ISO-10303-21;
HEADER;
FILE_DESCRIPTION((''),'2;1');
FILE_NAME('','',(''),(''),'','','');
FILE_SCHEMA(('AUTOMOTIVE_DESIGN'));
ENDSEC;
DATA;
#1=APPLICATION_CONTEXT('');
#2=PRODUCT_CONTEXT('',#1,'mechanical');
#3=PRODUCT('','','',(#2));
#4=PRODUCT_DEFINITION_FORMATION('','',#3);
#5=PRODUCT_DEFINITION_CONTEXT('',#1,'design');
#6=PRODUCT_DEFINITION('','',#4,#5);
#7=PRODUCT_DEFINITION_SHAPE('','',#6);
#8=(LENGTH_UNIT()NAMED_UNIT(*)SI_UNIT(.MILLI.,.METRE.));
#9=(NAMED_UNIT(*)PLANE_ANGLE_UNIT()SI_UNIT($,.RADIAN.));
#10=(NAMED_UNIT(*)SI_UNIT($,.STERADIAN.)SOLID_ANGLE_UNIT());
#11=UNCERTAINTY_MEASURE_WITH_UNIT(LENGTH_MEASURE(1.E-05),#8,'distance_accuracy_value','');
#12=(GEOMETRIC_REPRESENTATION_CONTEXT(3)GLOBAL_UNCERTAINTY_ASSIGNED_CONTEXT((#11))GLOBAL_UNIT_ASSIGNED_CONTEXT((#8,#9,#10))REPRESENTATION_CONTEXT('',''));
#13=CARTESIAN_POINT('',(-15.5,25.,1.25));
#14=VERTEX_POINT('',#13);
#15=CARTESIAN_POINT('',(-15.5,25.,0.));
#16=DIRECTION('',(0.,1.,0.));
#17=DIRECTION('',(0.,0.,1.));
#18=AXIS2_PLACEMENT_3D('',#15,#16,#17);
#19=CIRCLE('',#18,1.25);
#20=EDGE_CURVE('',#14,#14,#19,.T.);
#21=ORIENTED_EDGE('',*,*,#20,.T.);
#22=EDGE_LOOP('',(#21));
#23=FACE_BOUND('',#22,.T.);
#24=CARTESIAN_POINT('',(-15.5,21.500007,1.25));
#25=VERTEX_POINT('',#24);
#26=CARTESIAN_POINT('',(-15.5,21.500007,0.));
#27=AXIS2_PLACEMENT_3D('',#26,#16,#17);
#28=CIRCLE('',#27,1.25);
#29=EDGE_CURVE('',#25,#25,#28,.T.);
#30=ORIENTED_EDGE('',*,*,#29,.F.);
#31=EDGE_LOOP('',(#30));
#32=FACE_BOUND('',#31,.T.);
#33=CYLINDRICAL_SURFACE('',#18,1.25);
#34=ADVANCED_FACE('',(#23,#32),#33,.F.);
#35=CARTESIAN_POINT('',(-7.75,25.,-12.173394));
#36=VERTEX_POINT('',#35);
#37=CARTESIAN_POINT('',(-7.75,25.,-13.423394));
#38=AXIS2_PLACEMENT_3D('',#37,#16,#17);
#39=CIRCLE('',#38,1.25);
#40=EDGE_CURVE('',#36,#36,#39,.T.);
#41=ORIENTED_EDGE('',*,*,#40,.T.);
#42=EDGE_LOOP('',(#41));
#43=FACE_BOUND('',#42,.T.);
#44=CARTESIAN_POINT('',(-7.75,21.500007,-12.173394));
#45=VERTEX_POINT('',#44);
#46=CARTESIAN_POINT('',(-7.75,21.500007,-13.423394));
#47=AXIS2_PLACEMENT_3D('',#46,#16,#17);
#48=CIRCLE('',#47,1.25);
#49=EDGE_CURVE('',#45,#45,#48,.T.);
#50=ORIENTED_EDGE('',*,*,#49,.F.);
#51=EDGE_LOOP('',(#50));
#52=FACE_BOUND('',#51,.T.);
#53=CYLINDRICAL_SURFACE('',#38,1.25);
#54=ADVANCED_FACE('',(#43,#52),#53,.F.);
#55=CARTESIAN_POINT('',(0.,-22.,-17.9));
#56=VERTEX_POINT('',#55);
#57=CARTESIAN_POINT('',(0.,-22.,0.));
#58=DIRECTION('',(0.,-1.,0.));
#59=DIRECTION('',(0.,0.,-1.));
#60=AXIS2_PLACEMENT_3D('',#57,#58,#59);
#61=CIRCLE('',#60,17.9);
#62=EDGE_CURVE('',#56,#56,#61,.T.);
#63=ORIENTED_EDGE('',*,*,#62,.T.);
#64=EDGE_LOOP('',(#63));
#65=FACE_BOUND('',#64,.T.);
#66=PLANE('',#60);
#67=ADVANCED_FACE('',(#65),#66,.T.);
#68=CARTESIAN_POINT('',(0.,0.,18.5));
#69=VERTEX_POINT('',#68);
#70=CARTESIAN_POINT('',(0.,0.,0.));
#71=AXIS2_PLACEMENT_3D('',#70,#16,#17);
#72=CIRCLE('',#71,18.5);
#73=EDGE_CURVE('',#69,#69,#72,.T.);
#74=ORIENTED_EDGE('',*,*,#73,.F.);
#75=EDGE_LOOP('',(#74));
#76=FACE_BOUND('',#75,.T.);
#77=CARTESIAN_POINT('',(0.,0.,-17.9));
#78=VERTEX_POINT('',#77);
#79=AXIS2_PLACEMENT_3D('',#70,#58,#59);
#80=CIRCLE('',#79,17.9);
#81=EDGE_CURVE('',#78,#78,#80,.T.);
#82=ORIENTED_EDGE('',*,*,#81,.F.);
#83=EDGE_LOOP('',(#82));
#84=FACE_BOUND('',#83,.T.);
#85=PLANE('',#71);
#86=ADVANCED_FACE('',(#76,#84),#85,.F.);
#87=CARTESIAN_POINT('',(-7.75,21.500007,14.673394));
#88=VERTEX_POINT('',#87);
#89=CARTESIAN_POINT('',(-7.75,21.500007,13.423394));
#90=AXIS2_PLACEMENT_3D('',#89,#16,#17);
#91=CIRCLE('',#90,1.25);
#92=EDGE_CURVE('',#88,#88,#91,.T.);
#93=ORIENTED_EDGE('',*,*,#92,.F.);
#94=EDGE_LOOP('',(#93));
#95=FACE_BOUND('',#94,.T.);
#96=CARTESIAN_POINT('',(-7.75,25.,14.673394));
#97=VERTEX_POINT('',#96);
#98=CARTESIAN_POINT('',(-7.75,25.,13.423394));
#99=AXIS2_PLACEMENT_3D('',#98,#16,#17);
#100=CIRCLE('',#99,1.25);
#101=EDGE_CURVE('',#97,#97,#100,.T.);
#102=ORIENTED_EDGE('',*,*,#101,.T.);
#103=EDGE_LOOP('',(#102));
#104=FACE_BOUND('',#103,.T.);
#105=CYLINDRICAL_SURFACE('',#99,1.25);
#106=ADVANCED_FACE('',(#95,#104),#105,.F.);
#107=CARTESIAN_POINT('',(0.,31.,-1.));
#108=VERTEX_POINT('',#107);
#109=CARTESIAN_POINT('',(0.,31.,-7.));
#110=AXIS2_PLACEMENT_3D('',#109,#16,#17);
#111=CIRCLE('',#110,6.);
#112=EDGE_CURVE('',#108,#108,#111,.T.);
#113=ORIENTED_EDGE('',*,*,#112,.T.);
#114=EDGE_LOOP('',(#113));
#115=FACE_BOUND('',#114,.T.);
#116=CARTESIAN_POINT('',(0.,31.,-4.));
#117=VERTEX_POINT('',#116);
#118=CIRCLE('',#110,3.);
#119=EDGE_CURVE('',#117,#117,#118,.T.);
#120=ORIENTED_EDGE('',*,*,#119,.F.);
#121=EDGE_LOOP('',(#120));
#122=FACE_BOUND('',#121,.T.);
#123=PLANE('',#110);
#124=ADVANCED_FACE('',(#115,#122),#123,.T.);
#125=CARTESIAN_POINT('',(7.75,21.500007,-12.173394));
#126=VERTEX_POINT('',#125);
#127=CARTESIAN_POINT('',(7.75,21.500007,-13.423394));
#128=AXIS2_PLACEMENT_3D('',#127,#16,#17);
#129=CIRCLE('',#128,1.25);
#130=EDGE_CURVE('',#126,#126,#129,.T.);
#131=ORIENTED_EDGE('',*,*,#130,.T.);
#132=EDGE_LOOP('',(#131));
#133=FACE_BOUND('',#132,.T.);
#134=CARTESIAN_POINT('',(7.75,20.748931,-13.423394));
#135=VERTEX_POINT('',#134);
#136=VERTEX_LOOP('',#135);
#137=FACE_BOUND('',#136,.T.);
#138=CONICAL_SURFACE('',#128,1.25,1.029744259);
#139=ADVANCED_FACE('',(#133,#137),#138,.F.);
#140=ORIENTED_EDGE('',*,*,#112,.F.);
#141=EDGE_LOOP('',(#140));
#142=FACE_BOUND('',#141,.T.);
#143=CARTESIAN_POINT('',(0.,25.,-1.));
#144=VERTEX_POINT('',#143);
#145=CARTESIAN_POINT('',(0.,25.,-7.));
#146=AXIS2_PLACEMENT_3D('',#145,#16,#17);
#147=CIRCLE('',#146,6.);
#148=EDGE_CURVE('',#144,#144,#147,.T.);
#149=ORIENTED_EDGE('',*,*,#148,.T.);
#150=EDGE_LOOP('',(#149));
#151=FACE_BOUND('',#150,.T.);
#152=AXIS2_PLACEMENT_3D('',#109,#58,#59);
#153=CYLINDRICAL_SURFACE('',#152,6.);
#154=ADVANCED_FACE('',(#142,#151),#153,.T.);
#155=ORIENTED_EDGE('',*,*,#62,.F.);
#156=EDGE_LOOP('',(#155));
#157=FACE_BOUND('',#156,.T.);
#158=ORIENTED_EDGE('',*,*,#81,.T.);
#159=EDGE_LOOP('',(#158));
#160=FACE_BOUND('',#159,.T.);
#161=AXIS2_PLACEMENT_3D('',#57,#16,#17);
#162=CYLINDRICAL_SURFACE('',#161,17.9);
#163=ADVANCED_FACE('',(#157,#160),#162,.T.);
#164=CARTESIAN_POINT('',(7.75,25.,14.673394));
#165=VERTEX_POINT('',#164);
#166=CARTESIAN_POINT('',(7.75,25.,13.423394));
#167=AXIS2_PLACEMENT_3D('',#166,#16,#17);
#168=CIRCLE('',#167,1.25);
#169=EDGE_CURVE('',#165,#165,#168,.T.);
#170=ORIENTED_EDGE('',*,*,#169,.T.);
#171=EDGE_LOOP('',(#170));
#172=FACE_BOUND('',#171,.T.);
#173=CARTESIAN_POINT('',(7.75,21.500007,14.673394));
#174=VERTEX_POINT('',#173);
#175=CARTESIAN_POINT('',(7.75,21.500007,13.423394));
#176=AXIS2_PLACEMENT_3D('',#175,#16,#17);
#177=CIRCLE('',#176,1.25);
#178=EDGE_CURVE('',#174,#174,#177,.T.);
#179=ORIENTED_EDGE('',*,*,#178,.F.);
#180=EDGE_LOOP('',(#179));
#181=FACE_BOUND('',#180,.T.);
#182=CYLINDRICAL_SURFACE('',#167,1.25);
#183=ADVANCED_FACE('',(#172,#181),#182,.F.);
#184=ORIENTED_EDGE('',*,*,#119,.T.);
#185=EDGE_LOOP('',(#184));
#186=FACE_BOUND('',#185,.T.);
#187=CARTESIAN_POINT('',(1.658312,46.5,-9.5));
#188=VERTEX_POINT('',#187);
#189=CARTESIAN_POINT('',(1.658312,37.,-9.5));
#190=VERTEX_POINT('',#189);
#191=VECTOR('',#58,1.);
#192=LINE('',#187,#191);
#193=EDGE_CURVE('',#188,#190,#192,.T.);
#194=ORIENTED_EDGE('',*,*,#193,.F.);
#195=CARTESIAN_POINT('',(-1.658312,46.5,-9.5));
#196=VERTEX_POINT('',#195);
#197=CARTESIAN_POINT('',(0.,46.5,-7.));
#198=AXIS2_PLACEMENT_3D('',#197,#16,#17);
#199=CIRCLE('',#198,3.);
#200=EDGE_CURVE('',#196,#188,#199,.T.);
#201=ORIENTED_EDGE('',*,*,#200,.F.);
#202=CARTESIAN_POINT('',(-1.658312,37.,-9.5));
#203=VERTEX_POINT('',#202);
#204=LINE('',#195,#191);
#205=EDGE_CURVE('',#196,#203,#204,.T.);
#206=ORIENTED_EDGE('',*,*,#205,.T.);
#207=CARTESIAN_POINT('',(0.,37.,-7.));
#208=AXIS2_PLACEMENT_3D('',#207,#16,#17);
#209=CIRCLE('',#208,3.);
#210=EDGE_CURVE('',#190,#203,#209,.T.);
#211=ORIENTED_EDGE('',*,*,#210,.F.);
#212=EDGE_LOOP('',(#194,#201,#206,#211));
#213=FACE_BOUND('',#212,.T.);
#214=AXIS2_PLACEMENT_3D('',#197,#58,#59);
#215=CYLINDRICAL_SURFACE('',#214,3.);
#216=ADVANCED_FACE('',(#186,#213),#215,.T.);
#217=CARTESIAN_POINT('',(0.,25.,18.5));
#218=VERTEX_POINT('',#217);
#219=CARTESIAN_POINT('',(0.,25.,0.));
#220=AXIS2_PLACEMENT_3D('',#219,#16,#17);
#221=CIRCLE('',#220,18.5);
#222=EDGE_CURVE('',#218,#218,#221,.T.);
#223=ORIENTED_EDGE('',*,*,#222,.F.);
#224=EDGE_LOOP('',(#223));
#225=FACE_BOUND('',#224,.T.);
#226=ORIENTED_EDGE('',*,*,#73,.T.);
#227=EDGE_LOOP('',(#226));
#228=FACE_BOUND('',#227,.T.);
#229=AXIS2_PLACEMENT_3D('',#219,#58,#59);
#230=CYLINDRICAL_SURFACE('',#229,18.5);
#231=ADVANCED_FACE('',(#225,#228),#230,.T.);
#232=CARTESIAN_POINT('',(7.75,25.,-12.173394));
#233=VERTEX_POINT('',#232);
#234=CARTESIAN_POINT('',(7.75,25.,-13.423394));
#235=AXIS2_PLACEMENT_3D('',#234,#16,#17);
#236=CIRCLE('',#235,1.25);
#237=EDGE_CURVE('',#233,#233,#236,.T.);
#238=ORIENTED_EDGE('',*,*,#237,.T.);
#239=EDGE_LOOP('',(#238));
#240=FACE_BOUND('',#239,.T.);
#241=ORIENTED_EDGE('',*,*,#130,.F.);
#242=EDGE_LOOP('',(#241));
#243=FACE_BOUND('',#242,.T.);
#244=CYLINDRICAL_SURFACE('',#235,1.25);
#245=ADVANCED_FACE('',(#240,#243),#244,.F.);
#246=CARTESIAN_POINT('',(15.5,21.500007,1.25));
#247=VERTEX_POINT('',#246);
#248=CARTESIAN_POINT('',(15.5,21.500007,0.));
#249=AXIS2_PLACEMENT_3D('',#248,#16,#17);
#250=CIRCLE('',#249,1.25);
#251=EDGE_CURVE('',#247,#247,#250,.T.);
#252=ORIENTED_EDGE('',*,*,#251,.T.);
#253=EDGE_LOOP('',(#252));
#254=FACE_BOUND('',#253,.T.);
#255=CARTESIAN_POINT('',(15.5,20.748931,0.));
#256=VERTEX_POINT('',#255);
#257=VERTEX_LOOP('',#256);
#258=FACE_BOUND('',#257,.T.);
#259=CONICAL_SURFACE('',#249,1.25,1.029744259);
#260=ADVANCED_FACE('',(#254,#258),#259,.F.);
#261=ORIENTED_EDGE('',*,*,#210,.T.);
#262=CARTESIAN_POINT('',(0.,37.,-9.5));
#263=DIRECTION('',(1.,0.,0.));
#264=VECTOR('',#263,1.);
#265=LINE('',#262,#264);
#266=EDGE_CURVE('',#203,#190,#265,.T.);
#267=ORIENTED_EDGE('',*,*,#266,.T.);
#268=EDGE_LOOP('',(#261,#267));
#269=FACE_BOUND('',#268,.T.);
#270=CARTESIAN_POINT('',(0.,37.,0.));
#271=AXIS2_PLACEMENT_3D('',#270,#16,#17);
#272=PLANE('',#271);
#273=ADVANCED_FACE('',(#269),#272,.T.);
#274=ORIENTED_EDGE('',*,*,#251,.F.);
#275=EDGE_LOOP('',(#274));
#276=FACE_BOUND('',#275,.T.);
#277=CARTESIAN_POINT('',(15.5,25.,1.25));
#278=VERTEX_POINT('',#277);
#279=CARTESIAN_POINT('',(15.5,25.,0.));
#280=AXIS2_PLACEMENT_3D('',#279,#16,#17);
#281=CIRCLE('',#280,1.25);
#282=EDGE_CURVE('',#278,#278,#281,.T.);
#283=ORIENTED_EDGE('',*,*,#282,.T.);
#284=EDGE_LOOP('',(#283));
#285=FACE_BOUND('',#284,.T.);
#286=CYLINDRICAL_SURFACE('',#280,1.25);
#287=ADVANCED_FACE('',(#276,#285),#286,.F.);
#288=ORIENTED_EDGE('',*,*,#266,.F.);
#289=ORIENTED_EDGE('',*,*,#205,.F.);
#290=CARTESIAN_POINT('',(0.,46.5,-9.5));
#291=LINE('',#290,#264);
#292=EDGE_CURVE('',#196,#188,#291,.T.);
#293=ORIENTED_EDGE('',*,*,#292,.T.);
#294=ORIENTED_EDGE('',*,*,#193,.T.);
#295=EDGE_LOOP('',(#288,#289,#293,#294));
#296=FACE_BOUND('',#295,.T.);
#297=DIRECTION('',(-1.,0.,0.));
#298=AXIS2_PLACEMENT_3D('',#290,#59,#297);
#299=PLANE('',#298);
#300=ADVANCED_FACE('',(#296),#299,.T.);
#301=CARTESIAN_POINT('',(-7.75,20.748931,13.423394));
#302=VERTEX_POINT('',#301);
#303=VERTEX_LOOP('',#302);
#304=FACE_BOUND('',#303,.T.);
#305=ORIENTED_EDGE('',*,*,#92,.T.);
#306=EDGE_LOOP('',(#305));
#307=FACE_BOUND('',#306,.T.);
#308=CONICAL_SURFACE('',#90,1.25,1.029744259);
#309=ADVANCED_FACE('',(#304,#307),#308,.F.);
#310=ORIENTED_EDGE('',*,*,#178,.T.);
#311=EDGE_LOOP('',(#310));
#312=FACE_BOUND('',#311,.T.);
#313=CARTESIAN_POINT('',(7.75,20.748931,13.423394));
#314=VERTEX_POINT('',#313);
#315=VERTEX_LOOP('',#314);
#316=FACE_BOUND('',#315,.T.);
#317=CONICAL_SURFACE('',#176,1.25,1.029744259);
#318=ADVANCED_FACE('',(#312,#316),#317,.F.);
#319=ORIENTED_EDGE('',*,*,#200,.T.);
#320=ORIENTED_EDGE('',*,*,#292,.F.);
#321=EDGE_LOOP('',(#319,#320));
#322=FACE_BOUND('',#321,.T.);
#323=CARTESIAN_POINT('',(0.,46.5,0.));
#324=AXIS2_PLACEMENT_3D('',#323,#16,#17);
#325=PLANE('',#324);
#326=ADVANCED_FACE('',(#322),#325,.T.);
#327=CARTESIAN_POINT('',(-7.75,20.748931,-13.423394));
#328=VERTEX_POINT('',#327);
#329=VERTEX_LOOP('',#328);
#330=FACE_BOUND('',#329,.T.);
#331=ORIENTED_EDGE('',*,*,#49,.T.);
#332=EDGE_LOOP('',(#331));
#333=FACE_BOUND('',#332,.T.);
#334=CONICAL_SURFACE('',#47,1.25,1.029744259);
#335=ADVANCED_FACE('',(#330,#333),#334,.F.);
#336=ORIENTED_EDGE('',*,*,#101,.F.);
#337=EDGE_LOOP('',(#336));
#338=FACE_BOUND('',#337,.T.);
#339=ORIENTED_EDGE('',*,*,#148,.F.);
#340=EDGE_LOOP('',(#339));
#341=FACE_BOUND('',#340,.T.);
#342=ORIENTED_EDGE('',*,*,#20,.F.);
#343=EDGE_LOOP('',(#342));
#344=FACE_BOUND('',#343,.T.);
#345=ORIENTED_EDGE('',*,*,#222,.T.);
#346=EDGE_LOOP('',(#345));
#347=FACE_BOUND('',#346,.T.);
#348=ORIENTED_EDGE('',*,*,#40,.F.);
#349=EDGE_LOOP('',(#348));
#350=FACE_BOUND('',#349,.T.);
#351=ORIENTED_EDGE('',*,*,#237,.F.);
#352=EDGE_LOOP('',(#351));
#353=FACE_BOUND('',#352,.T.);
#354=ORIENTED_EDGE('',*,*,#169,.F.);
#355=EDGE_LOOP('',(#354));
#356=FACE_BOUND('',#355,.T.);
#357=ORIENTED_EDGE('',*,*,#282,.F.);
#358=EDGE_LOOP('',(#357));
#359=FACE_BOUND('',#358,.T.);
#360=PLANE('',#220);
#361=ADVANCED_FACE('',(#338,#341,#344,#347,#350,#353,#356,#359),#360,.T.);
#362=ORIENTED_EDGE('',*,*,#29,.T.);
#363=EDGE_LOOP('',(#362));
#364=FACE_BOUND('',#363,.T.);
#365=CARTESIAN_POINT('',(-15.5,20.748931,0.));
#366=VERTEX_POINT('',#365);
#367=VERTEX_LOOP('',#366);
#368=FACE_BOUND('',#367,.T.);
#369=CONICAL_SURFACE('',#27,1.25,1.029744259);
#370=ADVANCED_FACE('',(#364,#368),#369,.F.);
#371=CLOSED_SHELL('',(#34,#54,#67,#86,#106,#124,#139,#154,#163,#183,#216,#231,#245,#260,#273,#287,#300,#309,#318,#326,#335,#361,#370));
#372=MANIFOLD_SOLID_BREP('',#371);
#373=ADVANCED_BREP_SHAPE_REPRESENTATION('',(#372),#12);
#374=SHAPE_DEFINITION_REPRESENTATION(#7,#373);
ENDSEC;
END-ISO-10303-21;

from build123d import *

# Parameters (mm, degrees)
SKETCH1_R                       = 18.499999957
BOSS_EXTRUDE1_DEPTH             = 25.000000038
SKETCH2_R                       = 5.999999938
BOSS_EXTRUDE2_DEPTH             = 5.999999938
BOSS_EXTRUDE3_DEPTH             = 15.499999988
BOSS_EXTRUDE4_DEPTH             = 5.999999938
TAP_DRILL_FOR_M3X0_5_TAP1_D     = 2.5
TAP_DRILL_FOR_M3X0_5_TAP1_DEPTH = 3.499993
TAP_DRILL_FOR_M3X0_5_TAP1_TIP   = 0.751075774
SKETCH7_R                       = 17.900000014
BOSS_EXTRUDE5_DEPTH             = 21.999999942


with BuildPart() as part:
    # Sketch1 → Boss-Extrude1 (new body)
    with BuildSketch(Plane(origin=(0, 0, 0), x_dir=(1, 0, 0), z_dir=(0, 1, 0))):
        Circle(SKETCH1_R)
    extrude(amount=BOSS_EXTRUDE1_DEPTH)

    # Sketch2 → Boss-Extrude2 (add)
    with BuildSketch(Plane(origin=(0, 25.000000038, 0), x_dir=(1, 0, 0), z_dir=(0, 1, 0))):
        with Locations((0, 6.99999997)):
            Circle(SKETCH2_R)
    extrude(amount=BOSS_EXTRUDE2_DEPTH)

    # Sketch3 → Boss-Extrude3 (add)
    with BuildSketch(Plane(origin=(0, 30.999999976, 0), x_dir=(1, 0, 0), z_dir=(0, 1, 0))):
        with BuildLine():
            Line((1.658312218, 9.50000005), (-1.658312218, 9.50000005))
            ThreePointArc((-1.658312218, 9.50000005), (0, 4.000000001), (1.658312218, 9.50000005))
        make_face()
    extrude(amount=BOSS_EXTRUDE3_DEPTH)

    # Sketch3<3> → Boss-Extrude4 (add)
    with BuildSketch(Plane(origin=(0, 30.999999976, 0), x_dir=(1, 0, 0), z_dir=(0, 1, 0))):
        with BuildLine():
            ThreePointArc((1.658312218, 9.50000005), (0, 9.999999939), (-1.658312218, 9.50000005))
            Line((-1.658312218, 9.50000005), (1.658312218, 9.50000005))
        make_face()
    extrude(amount=BOSS_EXTRUDE4_DEPTH)

    # Tap Drill for M3x0.5 Tap1
    with Locations(Plane(origin=(0, 25.000000038, 0), x_dir=(1, 0, 0), z_dir=(0, 1, 0))):
        with Locations((-15.499999988, 0), (-7.749999994, 13.423393748), (7.749999994, 13.423393748), (15.499999988, 0), (7.749999994, -13.423393748), (-7.749999994, -13.423393748)):
            Hole(TAP_DRILL_FOR_M3X0_5_TAP1_D / 2, depth=TAP_DRILL_FOR_M3X0_5_TAP1_DEPTH)
            with Locations((0, 0, -(TAP_DRILL_FOR_M3X0_5_TAP1_DEPTH + TAP_DRILL_FOR_M3X0_5_TAP1_TIP / 2))):  # 118° drill point
                Cone(0, TAP_DRILL_FOR_M3X0_5_TAP1_D / 2, TAP_DRILL_FOR_M3X0_5_TAP1_TIP, mode=Mode.SUBTRACT)

    # Sketch7 → Boss-Extrude5 (add)
    with BuildSketch(Plane.XZ):
        Circle(SKETCH7_R)
    extrude(amount=BOSS_EXTRUDE5_DEPTH)


solid = part.part
